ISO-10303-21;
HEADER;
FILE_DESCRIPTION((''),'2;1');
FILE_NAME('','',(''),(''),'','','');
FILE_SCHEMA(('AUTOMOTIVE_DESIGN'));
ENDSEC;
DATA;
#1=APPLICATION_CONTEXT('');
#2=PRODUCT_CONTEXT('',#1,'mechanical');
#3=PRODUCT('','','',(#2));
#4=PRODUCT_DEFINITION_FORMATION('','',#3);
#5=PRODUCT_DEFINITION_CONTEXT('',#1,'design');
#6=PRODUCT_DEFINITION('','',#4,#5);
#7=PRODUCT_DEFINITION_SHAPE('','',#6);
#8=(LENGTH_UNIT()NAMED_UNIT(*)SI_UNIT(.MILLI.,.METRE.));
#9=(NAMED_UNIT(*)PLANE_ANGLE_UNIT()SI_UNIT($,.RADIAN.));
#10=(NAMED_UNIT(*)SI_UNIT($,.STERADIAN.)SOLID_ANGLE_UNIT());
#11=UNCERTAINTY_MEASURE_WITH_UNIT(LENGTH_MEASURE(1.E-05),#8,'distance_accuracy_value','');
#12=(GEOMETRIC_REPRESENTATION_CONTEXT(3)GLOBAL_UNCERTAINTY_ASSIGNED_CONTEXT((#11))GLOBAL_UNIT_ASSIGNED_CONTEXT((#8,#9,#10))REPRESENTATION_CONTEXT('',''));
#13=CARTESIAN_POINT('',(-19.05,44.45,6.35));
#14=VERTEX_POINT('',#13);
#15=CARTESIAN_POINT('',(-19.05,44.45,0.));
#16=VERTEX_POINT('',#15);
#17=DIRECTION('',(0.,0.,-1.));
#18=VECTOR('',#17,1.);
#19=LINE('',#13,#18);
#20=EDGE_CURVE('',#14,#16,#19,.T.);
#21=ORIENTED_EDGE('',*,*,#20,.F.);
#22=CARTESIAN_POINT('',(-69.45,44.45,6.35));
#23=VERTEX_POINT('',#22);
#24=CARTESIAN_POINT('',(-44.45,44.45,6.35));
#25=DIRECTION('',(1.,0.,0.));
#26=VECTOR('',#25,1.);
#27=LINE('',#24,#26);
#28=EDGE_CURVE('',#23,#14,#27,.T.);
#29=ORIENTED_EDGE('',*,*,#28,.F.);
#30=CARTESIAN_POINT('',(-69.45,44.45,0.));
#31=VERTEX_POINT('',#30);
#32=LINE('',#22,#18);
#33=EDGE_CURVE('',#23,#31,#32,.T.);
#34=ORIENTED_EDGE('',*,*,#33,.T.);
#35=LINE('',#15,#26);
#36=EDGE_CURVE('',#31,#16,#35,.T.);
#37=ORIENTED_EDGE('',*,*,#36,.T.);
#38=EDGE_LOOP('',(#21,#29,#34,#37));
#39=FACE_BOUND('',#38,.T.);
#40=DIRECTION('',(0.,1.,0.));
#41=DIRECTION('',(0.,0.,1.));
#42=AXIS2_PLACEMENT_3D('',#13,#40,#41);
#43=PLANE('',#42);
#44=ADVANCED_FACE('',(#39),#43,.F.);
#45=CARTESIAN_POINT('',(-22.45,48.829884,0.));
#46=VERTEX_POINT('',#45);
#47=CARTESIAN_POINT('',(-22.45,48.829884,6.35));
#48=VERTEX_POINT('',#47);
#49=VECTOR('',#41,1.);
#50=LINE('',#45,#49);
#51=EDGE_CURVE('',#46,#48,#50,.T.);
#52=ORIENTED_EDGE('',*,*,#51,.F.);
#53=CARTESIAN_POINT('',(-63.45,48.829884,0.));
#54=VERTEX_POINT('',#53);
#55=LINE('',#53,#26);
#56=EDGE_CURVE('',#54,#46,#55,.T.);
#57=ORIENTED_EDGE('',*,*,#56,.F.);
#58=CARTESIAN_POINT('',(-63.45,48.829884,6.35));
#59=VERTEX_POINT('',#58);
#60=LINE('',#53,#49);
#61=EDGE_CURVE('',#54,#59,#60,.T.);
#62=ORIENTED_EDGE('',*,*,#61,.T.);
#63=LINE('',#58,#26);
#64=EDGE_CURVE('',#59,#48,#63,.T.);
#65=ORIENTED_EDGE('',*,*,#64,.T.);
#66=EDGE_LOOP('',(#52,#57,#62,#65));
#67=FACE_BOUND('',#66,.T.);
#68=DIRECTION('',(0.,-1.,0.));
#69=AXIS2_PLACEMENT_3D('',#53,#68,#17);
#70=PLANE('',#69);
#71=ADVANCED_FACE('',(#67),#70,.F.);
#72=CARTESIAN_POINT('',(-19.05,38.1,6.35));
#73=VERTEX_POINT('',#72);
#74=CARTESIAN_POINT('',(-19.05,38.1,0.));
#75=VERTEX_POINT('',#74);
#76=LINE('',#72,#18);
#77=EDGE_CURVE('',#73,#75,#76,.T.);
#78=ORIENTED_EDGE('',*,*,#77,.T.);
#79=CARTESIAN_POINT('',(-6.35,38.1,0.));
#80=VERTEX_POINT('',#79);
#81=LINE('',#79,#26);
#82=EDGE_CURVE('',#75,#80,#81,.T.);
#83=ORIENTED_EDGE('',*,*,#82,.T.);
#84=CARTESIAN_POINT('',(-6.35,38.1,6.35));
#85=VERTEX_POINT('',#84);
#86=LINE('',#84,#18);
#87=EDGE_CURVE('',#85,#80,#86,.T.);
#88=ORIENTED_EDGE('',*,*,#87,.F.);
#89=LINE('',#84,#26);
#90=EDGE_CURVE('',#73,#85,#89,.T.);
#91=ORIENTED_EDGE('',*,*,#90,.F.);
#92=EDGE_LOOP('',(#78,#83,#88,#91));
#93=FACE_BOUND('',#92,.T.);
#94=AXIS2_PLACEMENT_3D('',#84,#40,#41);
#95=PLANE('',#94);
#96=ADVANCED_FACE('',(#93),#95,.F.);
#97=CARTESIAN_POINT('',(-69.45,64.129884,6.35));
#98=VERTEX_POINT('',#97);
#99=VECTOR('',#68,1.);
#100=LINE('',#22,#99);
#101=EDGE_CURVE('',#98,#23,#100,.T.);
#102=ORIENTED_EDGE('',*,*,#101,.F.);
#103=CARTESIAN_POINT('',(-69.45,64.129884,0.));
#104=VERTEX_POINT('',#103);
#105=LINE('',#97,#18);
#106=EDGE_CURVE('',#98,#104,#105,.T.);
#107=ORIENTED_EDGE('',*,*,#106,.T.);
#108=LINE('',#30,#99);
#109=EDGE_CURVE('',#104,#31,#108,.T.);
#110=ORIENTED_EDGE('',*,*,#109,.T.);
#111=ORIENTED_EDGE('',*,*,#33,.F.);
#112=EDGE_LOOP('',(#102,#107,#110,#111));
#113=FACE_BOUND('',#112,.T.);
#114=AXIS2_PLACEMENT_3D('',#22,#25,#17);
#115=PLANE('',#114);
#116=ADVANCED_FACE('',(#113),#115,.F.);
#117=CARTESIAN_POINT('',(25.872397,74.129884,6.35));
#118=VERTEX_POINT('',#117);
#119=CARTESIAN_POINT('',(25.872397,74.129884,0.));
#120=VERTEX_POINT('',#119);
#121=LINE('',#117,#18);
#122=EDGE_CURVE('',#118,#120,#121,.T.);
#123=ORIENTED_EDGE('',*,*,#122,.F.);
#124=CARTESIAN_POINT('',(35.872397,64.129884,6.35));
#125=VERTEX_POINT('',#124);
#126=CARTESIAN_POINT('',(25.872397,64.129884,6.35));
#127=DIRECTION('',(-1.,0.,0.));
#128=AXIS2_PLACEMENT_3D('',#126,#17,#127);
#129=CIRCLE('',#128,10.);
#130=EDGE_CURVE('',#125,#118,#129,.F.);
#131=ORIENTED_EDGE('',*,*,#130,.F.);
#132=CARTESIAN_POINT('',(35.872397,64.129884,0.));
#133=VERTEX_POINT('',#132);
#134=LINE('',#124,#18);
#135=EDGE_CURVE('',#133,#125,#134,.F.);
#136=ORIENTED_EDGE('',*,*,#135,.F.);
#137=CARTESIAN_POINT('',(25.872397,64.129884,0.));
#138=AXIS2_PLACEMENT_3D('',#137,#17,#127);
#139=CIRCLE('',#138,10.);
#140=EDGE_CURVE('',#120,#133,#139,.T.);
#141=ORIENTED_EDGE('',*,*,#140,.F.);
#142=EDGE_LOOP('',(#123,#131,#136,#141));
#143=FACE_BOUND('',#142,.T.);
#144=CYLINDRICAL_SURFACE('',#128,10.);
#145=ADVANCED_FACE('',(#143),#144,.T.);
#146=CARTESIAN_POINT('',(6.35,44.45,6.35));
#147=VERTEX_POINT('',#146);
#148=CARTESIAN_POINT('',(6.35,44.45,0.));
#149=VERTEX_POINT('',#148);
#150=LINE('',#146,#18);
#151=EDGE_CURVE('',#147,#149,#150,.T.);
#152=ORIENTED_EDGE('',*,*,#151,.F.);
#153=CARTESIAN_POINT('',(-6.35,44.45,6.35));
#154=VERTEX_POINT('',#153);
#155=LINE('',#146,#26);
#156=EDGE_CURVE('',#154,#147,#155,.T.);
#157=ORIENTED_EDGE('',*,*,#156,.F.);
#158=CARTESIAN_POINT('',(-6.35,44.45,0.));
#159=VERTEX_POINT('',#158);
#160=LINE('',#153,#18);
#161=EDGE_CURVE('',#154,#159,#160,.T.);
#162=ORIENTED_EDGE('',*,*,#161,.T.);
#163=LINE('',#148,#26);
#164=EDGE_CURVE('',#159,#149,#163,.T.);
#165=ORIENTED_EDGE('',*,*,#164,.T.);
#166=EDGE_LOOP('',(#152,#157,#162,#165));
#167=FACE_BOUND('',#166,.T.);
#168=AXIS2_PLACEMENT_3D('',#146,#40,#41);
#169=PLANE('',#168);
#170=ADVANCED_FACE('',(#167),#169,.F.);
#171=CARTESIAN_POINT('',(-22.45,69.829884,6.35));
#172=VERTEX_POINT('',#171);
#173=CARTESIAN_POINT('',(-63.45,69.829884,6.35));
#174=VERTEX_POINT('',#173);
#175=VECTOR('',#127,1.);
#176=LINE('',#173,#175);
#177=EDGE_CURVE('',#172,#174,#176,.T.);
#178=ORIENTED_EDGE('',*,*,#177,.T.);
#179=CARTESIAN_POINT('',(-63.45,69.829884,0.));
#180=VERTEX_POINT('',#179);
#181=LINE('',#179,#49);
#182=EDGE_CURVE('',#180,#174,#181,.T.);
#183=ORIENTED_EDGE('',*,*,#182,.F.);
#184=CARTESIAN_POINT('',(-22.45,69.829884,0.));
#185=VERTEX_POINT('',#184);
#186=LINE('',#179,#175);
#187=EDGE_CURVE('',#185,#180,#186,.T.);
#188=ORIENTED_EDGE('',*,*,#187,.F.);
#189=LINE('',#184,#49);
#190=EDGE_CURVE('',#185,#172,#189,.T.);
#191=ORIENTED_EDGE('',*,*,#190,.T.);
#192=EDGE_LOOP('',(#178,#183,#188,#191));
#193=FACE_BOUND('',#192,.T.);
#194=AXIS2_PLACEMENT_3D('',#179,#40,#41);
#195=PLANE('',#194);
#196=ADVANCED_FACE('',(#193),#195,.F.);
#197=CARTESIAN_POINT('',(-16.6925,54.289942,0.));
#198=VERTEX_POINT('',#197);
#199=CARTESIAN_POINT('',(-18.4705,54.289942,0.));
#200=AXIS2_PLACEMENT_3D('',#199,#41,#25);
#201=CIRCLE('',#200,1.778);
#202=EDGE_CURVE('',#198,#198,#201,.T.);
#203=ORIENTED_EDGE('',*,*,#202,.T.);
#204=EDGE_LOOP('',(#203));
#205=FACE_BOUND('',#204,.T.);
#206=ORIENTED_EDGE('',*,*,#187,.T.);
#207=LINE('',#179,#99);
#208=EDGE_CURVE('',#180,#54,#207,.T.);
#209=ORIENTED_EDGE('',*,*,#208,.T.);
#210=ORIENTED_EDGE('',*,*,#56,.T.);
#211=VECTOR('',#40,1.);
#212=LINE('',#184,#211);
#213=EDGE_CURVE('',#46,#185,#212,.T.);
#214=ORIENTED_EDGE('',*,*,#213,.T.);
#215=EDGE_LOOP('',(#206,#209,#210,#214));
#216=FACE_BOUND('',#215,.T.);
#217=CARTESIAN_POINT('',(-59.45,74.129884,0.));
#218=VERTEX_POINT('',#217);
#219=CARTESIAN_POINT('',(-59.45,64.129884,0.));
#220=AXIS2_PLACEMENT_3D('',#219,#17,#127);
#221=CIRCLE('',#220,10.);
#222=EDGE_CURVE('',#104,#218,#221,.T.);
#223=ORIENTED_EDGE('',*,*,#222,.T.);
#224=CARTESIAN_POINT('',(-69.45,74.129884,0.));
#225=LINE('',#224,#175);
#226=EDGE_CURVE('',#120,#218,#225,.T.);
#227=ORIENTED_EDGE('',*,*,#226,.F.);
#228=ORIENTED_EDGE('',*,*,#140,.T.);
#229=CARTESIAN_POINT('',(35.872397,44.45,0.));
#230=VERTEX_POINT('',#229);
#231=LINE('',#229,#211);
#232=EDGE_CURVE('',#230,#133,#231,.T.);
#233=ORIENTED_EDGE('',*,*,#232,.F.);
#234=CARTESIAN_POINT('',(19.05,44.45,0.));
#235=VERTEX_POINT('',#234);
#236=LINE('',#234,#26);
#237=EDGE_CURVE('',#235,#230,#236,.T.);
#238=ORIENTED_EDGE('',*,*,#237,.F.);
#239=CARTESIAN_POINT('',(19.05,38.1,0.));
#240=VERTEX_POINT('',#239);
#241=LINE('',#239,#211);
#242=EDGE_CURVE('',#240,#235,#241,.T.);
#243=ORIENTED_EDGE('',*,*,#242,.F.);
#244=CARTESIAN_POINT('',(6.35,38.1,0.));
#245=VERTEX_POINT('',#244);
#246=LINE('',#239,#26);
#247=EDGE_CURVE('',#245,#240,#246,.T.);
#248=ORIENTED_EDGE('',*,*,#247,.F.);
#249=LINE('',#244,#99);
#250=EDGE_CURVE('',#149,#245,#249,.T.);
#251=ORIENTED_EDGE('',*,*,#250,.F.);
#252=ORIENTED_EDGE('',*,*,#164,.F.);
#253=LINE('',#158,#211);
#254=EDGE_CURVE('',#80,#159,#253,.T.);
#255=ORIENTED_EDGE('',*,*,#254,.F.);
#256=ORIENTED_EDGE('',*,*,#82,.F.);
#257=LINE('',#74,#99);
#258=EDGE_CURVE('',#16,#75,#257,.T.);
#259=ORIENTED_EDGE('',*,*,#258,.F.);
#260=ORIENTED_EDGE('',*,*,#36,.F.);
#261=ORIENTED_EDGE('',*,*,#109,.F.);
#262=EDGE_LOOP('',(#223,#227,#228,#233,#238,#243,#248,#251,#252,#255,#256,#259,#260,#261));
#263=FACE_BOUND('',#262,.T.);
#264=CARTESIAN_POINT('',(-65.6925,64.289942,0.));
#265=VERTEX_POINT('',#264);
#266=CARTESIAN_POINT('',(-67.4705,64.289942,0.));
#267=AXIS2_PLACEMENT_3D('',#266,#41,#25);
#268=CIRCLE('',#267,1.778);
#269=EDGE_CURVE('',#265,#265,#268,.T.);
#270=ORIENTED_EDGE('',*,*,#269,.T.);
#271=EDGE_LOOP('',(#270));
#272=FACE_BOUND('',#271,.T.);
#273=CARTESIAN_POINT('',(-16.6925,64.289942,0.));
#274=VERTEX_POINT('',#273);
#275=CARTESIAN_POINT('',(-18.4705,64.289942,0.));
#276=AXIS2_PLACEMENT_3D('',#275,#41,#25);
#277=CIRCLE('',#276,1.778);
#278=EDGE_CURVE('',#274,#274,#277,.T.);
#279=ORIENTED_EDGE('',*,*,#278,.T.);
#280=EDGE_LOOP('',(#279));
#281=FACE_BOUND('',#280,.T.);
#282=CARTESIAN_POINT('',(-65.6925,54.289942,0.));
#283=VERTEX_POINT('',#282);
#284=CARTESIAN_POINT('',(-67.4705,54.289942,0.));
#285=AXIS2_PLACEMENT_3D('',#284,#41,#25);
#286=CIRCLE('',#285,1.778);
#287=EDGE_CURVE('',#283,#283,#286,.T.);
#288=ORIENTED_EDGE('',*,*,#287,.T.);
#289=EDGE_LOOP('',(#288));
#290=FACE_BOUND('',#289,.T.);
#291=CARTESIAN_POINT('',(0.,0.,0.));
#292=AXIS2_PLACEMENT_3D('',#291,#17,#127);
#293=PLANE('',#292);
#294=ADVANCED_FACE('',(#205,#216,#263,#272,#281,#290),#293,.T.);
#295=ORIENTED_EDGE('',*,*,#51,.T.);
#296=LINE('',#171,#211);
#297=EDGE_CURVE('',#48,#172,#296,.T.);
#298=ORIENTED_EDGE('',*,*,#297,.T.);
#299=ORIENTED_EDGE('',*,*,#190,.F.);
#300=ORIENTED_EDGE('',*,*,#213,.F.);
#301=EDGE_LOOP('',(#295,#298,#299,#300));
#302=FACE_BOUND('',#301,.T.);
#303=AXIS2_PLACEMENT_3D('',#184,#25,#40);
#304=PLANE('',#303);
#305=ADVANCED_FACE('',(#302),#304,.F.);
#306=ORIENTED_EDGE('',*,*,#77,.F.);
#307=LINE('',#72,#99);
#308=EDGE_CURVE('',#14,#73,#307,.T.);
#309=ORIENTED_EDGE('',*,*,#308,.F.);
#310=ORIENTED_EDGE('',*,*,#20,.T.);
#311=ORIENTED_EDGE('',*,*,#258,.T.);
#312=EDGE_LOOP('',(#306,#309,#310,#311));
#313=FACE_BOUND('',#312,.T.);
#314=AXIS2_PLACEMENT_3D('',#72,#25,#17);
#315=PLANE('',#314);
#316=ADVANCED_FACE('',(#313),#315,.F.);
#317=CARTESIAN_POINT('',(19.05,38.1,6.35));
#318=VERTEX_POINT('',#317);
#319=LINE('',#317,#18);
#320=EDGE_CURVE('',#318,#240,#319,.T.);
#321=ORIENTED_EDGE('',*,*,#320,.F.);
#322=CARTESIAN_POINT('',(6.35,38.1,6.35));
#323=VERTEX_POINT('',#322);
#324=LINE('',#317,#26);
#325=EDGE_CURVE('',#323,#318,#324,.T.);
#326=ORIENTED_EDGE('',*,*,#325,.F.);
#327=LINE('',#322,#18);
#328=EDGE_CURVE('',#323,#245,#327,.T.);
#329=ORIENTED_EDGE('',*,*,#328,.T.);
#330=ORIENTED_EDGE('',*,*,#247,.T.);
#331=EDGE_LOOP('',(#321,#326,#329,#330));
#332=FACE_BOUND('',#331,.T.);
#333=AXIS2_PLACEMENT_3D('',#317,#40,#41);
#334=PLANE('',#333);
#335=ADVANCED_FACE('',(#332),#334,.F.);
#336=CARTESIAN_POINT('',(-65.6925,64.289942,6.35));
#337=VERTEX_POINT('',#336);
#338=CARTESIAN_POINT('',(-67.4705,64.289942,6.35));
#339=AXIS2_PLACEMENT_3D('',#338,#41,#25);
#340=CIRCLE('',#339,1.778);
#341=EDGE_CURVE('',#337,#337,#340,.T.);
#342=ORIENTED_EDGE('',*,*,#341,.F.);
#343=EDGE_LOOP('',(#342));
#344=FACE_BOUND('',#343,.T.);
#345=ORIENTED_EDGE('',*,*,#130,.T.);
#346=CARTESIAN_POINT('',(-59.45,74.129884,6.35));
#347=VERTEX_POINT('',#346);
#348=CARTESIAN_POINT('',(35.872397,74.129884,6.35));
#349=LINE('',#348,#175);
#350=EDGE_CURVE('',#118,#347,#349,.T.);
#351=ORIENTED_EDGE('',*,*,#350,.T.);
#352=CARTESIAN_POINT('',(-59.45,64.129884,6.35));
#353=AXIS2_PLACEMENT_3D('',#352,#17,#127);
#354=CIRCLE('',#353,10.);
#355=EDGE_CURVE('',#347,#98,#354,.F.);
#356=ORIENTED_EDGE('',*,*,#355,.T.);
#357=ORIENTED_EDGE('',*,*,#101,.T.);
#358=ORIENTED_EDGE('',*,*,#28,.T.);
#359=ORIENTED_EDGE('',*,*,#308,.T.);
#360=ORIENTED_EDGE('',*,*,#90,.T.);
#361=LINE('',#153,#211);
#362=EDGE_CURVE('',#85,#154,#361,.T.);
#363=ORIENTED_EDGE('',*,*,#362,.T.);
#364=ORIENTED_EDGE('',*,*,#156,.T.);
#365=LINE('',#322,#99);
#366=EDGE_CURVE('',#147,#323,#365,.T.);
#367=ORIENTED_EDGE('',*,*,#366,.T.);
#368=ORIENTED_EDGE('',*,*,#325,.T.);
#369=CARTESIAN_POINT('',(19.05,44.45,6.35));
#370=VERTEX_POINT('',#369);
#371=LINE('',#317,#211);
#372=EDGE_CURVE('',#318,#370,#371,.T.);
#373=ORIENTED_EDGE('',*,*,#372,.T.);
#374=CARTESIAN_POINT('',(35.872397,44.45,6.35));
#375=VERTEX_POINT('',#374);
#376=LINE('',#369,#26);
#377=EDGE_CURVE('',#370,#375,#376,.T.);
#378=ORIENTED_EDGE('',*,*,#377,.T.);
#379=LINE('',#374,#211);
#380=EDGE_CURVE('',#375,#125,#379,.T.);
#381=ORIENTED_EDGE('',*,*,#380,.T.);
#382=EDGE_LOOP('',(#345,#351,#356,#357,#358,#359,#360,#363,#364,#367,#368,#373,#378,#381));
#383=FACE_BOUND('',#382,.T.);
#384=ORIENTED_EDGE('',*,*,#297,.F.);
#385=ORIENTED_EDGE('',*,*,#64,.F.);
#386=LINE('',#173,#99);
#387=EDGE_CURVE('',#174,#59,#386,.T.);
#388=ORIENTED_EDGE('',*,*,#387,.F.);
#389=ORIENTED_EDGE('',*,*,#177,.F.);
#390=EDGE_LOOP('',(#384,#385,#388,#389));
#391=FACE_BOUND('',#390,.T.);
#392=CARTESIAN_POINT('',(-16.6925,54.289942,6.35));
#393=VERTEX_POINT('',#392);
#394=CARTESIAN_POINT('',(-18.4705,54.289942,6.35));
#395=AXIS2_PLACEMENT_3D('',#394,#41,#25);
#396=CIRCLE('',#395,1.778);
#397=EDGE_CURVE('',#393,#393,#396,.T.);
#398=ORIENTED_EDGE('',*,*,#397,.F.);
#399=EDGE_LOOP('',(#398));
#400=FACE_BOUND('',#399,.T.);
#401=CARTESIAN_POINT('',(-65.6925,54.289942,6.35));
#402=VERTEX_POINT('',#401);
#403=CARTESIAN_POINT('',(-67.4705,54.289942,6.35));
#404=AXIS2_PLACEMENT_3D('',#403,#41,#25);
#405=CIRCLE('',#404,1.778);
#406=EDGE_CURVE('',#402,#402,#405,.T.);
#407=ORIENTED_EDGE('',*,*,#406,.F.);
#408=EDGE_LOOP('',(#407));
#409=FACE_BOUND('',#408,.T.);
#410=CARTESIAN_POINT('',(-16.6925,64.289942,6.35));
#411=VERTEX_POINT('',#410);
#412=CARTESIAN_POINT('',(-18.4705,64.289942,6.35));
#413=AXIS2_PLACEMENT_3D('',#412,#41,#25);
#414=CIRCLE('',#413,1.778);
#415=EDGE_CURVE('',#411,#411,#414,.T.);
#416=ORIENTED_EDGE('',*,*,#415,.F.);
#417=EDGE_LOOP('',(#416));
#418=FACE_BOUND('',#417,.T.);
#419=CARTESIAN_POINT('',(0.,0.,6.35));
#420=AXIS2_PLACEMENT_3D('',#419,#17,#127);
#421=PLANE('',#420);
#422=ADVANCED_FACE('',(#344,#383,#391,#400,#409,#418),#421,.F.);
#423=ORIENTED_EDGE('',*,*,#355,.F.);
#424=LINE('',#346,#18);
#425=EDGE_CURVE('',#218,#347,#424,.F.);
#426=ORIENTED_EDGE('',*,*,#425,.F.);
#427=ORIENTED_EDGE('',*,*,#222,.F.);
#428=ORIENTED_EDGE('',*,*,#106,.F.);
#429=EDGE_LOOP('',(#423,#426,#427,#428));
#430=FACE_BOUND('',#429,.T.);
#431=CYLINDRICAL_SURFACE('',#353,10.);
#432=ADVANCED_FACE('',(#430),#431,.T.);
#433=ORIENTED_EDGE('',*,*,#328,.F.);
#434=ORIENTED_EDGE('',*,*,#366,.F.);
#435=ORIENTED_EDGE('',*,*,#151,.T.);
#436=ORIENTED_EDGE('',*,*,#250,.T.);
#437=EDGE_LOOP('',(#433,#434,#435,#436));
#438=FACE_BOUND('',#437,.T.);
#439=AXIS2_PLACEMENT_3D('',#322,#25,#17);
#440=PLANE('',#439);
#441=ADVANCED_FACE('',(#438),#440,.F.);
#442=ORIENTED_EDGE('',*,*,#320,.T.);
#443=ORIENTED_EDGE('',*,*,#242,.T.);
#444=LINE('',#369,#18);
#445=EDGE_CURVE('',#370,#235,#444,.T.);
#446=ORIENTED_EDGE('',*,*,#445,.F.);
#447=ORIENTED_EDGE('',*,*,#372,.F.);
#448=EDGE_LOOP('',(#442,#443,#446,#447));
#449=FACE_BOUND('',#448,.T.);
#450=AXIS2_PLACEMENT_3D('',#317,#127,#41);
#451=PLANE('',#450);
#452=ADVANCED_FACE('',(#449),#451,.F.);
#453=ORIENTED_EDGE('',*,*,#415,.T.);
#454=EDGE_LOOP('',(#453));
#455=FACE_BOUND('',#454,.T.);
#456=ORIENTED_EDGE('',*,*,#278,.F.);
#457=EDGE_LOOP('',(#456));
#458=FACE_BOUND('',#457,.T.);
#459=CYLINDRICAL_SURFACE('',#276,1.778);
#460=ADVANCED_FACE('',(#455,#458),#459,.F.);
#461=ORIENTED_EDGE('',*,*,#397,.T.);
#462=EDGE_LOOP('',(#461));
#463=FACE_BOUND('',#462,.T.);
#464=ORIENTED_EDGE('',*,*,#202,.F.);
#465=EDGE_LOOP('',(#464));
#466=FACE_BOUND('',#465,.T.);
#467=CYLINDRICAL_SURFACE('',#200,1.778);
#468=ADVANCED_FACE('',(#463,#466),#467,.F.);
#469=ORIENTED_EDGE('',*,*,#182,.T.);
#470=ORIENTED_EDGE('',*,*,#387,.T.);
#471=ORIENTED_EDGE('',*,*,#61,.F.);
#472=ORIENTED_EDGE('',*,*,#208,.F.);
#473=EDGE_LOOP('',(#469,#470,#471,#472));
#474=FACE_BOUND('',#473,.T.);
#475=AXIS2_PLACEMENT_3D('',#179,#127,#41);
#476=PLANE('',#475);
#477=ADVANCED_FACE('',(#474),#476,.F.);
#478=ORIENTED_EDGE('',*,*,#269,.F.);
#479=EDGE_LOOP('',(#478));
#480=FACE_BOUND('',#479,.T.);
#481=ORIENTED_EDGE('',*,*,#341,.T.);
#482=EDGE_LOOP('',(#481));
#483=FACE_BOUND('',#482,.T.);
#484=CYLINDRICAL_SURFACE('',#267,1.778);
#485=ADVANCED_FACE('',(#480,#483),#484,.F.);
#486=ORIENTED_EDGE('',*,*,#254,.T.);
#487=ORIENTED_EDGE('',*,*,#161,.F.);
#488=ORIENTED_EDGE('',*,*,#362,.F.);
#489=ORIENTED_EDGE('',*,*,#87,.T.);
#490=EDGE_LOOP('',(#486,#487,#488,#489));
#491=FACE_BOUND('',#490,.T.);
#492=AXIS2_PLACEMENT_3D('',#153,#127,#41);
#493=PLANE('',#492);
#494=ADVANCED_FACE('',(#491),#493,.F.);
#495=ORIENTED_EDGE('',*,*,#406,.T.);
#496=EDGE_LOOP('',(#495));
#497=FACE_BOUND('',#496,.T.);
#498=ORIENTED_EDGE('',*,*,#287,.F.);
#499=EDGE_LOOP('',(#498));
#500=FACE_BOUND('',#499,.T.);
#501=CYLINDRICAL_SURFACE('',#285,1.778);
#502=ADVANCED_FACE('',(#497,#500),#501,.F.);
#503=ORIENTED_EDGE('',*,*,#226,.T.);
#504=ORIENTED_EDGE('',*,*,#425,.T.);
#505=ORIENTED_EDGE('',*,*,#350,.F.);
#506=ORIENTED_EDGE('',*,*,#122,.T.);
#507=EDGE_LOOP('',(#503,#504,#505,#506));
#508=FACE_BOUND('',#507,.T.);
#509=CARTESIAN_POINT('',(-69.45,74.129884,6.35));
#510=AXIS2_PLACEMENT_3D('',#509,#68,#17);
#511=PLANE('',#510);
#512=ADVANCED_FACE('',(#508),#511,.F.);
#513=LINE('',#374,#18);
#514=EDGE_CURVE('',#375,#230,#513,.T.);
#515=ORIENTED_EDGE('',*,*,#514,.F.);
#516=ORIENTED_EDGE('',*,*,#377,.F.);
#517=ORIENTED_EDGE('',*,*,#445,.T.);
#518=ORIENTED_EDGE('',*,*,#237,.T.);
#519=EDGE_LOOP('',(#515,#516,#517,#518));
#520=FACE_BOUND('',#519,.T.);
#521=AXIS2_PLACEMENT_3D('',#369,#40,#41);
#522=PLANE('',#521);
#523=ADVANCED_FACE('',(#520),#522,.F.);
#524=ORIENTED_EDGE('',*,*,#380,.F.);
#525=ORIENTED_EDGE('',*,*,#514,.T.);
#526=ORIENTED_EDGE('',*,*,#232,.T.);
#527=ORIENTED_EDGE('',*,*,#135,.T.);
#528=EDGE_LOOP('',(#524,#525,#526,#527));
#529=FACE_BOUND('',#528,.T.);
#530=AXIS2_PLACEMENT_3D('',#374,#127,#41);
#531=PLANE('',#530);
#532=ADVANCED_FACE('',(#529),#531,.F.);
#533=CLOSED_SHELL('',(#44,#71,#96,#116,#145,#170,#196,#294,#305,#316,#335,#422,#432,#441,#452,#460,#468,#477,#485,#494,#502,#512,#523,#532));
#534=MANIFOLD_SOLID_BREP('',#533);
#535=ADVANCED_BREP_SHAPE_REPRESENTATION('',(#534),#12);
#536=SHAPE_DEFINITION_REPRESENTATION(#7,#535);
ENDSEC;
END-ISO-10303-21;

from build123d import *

# Parameters (mm, degrees)
BOSS_EXTRUDE1_DEPTH = 6.35
SKETCH3_R           = 1.778
SKETCH3_W           = 41
SKETCH3_H           = 21
CUT_EXTRUDE1_DEPTH  = 102.778507746
FILLET1_R           = 10


with BuildPart() as part:
    # Sketch1 → Boss-Extrude1 (new body)
    with BuildSketch(Plane.XY):
        Polygon((19.05, 38.1), (19.05, 44.45), (35.872396717, 44.45), (35.872396717, 74.129883576), (-49.45, 74.129883576), (-69.45, 74.129883576), (-69.45, 44.45), (-44.45, 44.45), (-19.05, 44.45), (-19.05, 38.1), (-6.35, 38.1), (-6.35, 44.45), (6.35, 44.45), (6.35, 38.1), align=None)
    extrude(amount=BOSS_EXTRUDE1_DEPTH)

    # Sketch3 → Cut-Extrude1 (cut, through all)
    with BuildSketch(Plane.XY.offset(6.35)):
        with Locations((-67.4705, 64.289941788)):
            Circle(SKETCH3_R)
        with Locations((-67.4705, 54.289941788)):
            Circle(SKETCH3_R)
        with Locations((-18.4705, 54.289941788)):
            Circle(SKETCH3_R)
        with Locations((-18.4705, 64.289941788)):
            Circle(SKETCH3_R)
        with Locations((-42.95, 59.329883576)):
            Rectangle(SKETCH3_W, SKETCH3_H)
    extrude(amount=-CUT_EXTRUDE1_DEPTH, mode=Mode.SUBTRACT)

    # Fillet1
    fillet1_edges = [part.edges().sort_by_distance(p)[0] for p in [
        (-69.45, 74.129883576, 3.175),
        (35.872396717, 74.129883576, 3.175),
    ]]
    fillet(fillet1_edges, radius=FILLET1_R)


solid = part.part
